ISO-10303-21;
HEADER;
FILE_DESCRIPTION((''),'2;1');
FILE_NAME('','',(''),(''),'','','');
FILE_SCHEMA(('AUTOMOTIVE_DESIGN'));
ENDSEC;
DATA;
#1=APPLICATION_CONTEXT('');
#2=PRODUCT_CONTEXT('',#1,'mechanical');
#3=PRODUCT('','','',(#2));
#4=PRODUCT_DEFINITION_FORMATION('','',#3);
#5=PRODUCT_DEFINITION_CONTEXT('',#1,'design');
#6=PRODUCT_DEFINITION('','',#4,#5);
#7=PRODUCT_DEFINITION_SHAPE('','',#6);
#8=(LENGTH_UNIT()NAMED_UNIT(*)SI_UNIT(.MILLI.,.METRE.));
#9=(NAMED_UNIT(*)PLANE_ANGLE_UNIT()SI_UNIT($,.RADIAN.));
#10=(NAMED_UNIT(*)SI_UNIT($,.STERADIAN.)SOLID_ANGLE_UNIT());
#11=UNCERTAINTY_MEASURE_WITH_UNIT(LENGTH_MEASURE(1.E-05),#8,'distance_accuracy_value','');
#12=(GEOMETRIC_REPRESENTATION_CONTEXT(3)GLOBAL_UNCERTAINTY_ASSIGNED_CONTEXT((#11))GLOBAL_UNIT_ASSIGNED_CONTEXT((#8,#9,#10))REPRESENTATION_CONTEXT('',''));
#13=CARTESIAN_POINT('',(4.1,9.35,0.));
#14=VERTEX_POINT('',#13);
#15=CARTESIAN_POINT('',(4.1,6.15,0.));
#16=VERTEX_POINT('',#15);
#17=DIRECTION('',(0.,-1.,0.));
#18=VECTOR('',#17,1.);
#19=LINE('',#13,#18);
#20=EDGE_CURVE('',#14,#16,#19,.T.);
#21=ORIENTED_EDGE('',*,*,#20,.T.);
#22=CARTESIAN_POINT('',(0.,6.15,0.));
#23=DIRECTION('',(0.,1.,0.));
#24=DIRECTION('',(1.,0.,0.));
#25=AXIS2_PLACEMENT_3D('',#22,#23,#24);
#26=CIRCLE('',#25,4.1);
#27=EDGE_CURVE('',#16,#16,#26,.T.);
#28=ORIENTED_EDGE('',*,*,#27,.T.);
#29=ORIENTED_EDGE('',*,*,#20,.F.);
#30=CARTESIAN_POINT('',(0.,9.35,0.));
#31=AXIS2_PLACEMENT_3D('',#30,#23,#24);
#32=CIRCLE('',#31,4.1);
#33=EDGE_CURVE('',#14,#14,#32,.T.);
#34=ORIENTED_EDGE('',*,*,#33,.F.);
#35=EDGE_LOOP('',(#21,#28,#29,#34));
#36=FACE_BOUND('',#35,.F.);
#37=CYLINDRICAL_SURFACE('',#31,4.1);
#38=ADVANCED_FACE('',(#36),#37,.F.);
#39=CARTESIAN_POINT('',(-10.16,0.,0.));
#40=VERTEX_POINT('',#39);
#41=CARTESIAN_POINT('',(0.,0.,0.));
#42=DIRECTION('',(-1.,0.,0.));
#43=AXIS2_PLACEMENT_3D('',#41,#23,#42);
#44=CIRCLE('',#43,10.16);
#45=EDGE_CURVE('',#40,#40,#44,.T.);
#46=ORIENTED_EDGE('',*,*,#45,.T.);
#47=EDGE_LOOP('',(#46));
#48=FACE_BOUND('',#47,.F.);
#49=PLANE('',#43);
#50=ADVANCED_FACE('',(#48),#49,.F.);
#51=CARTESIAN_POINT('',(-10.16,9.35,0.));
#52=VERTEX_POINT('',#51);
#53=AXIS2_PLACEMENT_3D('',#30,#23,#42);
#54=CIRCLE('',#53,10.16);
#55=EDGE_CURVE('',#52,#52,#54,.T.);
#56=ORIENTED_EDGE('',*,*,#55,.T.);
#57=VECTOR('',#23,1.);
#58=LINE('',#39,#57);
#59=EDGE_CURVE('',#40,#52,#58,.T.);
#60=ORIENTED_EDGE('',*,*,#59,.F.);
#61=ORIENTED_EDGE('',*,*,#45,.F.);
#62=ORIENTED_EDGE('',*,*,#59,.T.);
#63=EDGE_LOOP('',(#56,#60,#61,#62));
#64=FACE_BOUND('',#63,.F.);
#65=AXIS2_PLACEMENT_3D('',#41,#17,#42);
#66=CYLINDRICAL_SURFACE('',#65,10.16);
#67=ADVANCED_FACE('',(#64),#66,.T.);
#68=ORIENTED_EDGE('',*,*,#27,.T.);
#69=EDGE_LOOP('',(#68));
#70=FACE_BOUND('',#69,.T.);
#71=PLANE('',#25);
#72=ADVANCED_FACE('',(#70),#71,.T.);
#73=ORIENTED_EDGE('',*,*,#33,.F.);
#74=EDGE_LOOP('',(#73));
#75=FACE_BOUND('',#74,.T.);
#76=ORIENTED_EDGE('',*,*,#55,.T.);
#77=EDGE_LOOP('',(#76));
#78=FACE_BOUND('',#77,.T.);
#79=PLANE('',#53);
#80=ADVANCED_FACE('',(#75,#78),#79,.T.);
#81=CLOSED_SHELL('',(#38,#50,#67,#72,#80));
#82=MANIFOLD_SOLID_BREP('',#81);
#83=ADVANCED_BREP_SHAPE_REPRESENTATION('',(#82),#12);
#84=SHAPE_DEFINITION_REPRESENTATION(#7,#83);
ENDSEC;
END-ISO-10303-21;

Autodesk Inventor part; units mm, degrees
ref_plane "YZ Plane" through (0, 0, 0) normal (1, 0, 0) x (0, 1, 0)
ref_plane "XZ Plane" through (0, 0, 0) normal (0, 1, 0) x (-1, 0, 0)
ref_plane "XY Plane" through (0, 0, 0) normal (0, 0, 1) x (1, 0, 0)
sketch "Sketch1" plane through (0, 0, 0) normal (0, 1, 0) x (-1, 0, 0)
  circle A0 centre (0, 0) radius 10.16
  dimension "d0" = 20.32
extrude "Extrusion1" add sketch "Sketch1" along normal blind 9.35
sketch "Sketch2" plane through (0, 9.35, 0) normal (0, 1, 0) x (1, 0, 0)
  circle A0 centre (0, 0) radius 4.1
  dimension "d3" = 8.2
extrude "Extrusion2" cut sketch "Sketch2" against normal blind 3.2
properties part number "Checker piece"
